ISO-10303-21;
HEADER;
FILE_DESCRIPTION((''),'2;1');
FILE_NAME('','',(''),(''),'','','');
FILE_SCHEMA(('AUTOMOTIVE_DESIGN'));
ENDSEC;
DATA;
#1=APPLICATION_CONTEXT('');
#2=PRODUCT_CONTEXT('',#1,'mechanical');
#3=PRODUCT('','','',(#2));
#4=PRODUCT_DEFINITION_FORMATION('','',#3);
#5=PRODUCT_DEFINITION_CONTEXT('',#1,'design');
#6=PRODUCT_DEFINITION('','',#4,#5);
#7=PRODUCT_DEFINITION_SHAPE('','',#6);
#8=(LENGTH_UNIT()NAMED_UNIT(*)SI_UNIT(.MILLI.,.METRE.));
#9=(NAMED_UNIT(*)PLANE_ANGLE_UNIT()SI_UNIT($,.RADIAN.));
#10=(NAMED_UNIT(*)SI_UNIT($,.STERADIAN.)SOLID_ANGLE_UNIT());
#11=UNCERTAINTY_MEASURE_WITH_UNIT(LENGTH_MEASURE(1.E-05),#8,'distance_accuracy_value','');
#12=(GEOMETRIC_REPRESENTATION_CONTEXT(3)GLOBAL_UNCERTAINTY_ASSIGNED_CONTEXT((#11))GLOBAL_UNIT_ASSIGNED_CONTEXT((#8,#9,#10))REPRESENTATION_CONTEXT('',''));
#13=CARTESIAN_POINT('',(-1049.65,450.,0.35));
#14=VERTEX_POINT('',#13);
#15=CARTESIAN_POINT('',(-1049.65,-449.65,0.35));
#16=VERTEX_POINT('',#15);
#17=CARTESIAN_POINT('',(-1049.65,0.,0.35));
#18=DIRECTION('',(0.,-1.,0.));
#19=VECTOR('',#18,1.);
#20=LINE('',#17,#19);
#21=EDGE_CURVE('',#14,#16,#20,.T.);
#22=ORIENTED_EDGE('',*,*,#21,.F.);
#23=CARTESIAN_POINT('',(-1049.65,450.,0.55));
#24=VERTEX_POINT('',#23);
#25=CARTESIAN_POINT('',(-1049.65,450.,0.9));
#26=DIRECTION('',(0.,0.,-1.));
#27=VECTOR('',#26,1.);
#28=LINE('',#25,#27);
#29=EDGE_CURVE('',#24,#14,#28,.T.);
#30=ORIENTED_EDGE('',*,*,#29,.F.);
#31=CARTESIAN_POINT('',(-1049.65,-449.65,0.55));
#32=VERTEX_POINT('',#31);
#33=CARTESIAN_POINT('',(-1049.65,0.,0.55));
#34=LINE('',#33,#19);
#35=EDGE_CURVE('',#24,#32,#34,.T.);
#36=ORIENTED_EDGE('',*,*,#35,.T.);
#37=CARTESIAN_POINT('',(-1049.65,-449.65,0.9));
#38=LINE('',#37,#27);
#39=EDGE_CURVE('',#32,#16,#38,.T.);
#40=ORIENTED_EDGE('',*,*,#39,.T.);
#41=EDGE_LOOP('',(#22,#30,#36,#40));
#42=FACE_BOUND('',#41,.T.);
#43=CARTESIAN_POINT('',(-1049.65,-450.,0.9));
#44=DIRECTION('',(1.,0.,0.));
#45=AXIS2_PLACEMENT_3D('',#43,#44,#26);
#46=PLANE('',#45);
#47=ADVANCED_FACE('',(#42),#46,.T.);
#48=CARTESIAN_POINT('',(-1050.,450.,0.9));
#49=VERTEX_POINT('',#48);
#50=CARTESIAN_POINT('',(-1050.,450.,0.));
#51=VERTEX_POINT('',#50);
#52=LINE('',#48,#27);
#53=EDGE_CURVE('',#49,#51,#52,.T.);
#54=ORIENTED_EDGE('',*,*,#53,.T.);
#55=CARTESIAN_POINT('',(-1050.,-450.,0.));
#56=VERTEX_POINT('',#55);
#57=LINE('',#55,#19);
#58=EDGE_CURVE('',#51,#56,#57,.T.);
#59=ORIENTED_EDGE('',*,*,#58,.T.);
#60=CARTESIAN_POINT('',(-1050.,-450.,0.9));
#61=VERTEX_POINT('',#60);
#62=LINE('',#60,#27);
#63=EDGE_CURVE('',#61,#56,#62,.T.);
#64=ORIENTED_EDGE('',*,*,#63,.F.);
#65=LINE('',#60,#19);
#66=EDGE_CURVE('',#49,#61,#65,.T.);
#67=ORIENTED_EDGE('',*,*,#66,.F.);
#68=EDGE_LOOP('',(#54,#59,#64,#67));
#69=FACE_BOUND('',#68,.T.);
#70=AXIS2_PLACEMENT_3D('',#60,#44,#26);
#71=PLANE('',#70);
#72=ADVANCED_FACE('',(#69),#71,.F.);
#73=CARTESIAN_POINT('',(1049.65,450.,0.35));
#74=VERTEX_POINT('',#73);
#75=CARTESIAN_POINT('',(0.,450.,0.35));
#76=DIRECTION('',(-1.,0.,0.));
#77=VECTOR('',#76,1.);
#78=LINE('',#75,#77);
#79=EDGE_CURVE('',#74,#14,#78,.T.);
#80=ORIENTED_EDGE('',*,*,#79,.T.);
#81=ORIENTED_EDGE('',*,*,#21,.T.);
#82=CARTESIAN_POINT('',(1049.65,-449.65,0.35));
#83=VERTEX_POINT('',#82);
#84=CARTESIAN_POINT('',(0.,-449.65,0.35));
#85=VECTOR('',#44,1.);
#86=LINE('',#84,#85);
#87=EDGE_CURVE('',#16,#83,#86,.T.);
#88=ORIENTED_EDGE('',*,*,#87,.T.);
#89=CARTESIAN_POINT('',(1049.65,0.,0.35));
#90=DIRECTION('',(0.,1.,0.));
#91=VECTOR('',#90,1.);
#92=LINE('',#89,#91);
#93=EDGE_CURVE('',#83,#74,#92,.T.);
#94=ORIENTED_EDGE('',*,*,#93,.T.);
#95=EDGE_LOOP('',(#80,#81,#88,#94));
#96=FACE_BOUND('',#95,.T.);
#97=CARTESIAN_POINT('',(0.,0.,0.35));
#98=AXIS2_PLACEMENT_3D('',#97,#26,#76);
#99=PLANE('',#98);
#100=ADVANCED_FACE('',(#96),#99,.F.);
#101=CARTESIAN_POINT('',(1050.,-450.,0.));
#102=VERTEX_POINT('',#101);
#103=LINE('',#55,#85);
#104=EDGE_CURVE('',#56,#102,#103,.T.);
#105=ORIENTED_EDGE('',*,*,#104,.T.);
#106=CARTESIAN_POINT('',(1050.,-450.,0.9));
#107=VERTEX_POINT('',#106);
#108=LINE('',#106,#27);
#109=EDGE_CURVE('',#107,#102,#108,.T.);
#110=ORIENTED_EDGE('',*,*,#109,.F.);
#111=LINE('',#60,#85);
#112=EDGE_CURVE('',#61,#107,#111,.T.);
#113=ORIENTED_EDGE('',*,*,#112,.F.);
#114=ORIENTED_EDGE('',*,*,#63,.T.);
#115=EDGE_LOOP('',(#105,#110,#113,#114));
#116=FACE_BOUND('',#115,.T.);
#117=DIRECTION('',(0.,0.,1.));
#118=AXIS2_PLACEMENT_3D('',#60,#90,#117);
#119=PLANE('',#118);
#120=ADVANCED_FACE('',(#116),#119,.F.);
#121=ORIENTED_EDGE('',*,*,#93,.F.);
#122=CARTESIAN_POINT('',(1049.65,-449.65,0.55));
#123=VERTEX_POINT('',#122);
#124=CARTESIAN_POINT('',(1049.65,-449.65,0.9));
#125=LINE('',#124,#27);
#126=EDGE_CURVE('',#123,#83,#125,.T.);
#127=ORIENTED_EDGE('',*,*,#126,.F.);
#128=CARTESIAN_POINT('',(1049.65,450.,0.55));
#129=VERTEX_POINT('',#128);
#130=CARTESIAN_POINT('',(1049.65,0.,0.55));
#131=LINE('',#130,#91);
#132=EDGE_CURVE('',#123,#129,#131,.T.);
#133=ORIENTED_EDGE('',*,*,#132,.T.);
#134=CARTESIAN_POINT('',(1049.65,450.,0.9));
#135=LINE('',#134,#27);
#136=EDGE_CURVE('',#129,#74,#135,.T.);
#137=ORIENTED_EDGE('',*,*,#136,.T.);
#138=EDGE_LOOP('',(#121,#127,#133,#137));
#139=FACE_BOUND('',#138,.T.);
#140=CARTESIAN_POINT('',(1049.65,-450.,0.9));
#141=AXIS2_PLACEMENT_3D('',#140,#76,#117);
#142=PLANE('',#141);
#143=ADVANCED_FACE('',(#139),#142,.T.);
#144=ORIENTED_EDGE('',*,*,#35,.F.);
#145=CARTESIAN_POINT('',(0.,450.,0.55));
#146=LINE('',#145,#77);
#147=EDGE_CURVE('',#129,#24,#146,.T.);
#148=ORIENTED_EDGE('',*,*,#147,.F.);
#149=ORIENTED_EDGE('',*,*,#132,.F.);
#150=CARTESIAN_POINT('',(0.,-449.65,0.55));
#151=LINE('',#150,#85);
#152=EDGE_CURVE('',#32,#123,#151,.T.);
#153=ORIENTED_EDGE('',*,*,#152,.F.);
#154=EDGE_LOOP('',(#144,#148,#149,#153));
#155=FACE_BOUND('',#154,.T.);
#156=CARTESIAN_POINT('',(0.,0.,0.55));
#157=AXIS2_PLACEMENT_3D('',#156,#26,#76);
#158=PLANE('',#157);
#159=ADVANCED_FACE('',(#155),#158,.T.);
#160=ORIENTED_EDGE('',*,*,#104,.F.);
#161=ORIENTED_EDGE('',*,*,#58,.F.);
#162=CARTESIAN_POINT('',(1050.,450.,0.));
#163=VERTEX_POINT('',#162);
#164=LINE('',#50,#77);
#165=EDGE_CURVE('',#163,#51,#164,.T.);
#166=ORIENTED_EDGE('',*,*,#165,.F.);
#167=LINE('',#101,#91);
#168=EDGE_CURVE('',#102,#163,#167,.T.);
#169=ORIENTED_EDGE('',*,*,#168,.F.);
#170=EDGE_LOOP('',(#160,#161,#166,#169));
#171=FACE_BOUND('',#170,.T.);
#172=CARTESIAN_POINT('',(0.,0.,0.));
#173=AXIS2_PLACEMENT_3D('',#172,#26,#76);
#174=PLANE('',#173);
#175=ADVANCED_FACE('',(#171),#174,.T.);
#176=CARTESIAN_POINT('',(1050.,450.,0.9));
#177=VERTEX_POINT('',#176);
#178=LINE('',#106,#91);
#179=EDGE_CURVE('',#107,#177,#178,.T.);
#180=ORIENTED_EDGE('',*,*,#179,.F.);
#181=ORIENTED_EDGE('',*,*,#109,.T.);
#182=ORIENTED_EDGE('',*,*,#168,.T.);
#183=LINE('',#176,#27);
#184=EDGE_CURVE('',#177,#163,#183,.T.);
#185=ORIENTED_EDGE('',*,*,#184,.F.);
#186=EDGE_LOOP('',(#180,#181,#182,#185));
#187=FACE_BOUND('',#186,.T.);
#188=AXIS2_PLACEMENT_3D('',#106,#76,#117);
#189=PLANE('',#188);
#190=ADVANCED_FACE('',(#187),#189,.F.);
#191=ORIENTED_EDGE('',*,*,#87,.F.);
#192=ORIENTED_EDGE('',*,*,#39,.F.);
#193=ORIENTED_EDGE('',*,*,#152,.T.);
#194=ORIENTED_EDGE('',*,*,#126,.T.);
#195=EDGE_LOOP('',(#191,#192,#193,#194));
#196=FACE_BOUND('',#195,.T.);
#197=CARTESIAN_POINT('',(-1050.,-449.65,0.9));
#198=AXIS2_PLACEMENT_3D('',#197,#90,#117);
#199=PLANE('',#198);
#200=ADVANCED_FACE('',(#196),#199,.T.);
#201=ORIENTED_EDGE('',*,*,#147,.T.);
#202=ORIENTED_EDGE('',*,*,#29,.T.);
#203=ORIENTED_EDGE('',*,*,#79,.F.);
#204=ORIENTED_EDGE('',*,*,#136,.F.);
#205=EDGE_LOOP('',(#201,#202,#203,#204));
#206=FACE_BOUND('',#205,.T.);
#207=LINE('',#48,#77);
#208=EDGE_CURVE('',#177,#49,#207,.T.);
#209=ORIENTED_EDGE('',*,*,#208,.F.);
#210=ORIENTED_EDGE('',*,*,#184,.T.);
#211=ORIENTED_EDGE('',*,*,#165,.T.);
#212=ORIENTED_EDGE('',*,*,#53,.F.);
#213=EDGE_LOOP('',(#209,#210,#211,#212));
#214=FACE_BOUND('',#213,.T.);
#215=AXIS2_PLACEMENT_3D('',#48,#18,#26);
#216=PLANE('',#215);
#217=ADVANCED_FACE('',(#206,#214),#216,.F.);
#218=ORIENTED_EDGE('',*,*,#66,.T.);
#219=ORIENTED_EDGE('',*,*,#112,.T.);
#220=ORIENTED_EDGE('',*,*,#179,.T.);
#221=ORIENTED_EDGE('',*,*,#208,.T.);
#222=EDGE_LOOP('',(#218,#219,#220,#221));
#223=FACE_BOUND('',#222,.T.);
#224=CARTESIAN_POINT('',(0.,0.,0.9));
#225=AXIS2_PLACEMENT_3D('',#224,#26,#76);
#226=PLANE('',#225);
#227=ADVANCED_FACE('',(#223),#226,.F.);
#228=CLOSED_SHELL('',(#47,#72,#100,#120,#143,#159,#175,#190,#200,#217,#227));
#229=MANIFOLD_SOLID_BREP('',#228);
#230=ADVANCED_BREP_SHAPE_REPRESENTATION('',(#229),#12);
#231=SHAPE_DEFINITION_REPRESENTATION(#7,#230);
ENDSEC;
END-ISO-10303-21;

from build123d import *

# Parameters (mm, degrees)
SKETCH1_W           = 2100
SKETCH1_H           = 900
BOSS_EXTRUDE1_DEPTH = 0.9
SHELL1_T            = -0.35


with BuildPart() as part:
    # Sketch1 → Boss-Extrude1 (new body)
    with BuildSketch(Plane.XY):
        Rectangle(SKETCH1_W, SKETCH1_H)
    extrude(amount=BOSS_EXTRUDE1_DEPTH)

    # Shell1
    shell1_openings = [part.faces().sort_by_distance(p)[0] for p in [
        (0, 450, 0.45),
    ]]
    offset(amount=SHELL1_T, openings=shell1_openings, kind=Kind.INTERSECTION)


solid = part.part
